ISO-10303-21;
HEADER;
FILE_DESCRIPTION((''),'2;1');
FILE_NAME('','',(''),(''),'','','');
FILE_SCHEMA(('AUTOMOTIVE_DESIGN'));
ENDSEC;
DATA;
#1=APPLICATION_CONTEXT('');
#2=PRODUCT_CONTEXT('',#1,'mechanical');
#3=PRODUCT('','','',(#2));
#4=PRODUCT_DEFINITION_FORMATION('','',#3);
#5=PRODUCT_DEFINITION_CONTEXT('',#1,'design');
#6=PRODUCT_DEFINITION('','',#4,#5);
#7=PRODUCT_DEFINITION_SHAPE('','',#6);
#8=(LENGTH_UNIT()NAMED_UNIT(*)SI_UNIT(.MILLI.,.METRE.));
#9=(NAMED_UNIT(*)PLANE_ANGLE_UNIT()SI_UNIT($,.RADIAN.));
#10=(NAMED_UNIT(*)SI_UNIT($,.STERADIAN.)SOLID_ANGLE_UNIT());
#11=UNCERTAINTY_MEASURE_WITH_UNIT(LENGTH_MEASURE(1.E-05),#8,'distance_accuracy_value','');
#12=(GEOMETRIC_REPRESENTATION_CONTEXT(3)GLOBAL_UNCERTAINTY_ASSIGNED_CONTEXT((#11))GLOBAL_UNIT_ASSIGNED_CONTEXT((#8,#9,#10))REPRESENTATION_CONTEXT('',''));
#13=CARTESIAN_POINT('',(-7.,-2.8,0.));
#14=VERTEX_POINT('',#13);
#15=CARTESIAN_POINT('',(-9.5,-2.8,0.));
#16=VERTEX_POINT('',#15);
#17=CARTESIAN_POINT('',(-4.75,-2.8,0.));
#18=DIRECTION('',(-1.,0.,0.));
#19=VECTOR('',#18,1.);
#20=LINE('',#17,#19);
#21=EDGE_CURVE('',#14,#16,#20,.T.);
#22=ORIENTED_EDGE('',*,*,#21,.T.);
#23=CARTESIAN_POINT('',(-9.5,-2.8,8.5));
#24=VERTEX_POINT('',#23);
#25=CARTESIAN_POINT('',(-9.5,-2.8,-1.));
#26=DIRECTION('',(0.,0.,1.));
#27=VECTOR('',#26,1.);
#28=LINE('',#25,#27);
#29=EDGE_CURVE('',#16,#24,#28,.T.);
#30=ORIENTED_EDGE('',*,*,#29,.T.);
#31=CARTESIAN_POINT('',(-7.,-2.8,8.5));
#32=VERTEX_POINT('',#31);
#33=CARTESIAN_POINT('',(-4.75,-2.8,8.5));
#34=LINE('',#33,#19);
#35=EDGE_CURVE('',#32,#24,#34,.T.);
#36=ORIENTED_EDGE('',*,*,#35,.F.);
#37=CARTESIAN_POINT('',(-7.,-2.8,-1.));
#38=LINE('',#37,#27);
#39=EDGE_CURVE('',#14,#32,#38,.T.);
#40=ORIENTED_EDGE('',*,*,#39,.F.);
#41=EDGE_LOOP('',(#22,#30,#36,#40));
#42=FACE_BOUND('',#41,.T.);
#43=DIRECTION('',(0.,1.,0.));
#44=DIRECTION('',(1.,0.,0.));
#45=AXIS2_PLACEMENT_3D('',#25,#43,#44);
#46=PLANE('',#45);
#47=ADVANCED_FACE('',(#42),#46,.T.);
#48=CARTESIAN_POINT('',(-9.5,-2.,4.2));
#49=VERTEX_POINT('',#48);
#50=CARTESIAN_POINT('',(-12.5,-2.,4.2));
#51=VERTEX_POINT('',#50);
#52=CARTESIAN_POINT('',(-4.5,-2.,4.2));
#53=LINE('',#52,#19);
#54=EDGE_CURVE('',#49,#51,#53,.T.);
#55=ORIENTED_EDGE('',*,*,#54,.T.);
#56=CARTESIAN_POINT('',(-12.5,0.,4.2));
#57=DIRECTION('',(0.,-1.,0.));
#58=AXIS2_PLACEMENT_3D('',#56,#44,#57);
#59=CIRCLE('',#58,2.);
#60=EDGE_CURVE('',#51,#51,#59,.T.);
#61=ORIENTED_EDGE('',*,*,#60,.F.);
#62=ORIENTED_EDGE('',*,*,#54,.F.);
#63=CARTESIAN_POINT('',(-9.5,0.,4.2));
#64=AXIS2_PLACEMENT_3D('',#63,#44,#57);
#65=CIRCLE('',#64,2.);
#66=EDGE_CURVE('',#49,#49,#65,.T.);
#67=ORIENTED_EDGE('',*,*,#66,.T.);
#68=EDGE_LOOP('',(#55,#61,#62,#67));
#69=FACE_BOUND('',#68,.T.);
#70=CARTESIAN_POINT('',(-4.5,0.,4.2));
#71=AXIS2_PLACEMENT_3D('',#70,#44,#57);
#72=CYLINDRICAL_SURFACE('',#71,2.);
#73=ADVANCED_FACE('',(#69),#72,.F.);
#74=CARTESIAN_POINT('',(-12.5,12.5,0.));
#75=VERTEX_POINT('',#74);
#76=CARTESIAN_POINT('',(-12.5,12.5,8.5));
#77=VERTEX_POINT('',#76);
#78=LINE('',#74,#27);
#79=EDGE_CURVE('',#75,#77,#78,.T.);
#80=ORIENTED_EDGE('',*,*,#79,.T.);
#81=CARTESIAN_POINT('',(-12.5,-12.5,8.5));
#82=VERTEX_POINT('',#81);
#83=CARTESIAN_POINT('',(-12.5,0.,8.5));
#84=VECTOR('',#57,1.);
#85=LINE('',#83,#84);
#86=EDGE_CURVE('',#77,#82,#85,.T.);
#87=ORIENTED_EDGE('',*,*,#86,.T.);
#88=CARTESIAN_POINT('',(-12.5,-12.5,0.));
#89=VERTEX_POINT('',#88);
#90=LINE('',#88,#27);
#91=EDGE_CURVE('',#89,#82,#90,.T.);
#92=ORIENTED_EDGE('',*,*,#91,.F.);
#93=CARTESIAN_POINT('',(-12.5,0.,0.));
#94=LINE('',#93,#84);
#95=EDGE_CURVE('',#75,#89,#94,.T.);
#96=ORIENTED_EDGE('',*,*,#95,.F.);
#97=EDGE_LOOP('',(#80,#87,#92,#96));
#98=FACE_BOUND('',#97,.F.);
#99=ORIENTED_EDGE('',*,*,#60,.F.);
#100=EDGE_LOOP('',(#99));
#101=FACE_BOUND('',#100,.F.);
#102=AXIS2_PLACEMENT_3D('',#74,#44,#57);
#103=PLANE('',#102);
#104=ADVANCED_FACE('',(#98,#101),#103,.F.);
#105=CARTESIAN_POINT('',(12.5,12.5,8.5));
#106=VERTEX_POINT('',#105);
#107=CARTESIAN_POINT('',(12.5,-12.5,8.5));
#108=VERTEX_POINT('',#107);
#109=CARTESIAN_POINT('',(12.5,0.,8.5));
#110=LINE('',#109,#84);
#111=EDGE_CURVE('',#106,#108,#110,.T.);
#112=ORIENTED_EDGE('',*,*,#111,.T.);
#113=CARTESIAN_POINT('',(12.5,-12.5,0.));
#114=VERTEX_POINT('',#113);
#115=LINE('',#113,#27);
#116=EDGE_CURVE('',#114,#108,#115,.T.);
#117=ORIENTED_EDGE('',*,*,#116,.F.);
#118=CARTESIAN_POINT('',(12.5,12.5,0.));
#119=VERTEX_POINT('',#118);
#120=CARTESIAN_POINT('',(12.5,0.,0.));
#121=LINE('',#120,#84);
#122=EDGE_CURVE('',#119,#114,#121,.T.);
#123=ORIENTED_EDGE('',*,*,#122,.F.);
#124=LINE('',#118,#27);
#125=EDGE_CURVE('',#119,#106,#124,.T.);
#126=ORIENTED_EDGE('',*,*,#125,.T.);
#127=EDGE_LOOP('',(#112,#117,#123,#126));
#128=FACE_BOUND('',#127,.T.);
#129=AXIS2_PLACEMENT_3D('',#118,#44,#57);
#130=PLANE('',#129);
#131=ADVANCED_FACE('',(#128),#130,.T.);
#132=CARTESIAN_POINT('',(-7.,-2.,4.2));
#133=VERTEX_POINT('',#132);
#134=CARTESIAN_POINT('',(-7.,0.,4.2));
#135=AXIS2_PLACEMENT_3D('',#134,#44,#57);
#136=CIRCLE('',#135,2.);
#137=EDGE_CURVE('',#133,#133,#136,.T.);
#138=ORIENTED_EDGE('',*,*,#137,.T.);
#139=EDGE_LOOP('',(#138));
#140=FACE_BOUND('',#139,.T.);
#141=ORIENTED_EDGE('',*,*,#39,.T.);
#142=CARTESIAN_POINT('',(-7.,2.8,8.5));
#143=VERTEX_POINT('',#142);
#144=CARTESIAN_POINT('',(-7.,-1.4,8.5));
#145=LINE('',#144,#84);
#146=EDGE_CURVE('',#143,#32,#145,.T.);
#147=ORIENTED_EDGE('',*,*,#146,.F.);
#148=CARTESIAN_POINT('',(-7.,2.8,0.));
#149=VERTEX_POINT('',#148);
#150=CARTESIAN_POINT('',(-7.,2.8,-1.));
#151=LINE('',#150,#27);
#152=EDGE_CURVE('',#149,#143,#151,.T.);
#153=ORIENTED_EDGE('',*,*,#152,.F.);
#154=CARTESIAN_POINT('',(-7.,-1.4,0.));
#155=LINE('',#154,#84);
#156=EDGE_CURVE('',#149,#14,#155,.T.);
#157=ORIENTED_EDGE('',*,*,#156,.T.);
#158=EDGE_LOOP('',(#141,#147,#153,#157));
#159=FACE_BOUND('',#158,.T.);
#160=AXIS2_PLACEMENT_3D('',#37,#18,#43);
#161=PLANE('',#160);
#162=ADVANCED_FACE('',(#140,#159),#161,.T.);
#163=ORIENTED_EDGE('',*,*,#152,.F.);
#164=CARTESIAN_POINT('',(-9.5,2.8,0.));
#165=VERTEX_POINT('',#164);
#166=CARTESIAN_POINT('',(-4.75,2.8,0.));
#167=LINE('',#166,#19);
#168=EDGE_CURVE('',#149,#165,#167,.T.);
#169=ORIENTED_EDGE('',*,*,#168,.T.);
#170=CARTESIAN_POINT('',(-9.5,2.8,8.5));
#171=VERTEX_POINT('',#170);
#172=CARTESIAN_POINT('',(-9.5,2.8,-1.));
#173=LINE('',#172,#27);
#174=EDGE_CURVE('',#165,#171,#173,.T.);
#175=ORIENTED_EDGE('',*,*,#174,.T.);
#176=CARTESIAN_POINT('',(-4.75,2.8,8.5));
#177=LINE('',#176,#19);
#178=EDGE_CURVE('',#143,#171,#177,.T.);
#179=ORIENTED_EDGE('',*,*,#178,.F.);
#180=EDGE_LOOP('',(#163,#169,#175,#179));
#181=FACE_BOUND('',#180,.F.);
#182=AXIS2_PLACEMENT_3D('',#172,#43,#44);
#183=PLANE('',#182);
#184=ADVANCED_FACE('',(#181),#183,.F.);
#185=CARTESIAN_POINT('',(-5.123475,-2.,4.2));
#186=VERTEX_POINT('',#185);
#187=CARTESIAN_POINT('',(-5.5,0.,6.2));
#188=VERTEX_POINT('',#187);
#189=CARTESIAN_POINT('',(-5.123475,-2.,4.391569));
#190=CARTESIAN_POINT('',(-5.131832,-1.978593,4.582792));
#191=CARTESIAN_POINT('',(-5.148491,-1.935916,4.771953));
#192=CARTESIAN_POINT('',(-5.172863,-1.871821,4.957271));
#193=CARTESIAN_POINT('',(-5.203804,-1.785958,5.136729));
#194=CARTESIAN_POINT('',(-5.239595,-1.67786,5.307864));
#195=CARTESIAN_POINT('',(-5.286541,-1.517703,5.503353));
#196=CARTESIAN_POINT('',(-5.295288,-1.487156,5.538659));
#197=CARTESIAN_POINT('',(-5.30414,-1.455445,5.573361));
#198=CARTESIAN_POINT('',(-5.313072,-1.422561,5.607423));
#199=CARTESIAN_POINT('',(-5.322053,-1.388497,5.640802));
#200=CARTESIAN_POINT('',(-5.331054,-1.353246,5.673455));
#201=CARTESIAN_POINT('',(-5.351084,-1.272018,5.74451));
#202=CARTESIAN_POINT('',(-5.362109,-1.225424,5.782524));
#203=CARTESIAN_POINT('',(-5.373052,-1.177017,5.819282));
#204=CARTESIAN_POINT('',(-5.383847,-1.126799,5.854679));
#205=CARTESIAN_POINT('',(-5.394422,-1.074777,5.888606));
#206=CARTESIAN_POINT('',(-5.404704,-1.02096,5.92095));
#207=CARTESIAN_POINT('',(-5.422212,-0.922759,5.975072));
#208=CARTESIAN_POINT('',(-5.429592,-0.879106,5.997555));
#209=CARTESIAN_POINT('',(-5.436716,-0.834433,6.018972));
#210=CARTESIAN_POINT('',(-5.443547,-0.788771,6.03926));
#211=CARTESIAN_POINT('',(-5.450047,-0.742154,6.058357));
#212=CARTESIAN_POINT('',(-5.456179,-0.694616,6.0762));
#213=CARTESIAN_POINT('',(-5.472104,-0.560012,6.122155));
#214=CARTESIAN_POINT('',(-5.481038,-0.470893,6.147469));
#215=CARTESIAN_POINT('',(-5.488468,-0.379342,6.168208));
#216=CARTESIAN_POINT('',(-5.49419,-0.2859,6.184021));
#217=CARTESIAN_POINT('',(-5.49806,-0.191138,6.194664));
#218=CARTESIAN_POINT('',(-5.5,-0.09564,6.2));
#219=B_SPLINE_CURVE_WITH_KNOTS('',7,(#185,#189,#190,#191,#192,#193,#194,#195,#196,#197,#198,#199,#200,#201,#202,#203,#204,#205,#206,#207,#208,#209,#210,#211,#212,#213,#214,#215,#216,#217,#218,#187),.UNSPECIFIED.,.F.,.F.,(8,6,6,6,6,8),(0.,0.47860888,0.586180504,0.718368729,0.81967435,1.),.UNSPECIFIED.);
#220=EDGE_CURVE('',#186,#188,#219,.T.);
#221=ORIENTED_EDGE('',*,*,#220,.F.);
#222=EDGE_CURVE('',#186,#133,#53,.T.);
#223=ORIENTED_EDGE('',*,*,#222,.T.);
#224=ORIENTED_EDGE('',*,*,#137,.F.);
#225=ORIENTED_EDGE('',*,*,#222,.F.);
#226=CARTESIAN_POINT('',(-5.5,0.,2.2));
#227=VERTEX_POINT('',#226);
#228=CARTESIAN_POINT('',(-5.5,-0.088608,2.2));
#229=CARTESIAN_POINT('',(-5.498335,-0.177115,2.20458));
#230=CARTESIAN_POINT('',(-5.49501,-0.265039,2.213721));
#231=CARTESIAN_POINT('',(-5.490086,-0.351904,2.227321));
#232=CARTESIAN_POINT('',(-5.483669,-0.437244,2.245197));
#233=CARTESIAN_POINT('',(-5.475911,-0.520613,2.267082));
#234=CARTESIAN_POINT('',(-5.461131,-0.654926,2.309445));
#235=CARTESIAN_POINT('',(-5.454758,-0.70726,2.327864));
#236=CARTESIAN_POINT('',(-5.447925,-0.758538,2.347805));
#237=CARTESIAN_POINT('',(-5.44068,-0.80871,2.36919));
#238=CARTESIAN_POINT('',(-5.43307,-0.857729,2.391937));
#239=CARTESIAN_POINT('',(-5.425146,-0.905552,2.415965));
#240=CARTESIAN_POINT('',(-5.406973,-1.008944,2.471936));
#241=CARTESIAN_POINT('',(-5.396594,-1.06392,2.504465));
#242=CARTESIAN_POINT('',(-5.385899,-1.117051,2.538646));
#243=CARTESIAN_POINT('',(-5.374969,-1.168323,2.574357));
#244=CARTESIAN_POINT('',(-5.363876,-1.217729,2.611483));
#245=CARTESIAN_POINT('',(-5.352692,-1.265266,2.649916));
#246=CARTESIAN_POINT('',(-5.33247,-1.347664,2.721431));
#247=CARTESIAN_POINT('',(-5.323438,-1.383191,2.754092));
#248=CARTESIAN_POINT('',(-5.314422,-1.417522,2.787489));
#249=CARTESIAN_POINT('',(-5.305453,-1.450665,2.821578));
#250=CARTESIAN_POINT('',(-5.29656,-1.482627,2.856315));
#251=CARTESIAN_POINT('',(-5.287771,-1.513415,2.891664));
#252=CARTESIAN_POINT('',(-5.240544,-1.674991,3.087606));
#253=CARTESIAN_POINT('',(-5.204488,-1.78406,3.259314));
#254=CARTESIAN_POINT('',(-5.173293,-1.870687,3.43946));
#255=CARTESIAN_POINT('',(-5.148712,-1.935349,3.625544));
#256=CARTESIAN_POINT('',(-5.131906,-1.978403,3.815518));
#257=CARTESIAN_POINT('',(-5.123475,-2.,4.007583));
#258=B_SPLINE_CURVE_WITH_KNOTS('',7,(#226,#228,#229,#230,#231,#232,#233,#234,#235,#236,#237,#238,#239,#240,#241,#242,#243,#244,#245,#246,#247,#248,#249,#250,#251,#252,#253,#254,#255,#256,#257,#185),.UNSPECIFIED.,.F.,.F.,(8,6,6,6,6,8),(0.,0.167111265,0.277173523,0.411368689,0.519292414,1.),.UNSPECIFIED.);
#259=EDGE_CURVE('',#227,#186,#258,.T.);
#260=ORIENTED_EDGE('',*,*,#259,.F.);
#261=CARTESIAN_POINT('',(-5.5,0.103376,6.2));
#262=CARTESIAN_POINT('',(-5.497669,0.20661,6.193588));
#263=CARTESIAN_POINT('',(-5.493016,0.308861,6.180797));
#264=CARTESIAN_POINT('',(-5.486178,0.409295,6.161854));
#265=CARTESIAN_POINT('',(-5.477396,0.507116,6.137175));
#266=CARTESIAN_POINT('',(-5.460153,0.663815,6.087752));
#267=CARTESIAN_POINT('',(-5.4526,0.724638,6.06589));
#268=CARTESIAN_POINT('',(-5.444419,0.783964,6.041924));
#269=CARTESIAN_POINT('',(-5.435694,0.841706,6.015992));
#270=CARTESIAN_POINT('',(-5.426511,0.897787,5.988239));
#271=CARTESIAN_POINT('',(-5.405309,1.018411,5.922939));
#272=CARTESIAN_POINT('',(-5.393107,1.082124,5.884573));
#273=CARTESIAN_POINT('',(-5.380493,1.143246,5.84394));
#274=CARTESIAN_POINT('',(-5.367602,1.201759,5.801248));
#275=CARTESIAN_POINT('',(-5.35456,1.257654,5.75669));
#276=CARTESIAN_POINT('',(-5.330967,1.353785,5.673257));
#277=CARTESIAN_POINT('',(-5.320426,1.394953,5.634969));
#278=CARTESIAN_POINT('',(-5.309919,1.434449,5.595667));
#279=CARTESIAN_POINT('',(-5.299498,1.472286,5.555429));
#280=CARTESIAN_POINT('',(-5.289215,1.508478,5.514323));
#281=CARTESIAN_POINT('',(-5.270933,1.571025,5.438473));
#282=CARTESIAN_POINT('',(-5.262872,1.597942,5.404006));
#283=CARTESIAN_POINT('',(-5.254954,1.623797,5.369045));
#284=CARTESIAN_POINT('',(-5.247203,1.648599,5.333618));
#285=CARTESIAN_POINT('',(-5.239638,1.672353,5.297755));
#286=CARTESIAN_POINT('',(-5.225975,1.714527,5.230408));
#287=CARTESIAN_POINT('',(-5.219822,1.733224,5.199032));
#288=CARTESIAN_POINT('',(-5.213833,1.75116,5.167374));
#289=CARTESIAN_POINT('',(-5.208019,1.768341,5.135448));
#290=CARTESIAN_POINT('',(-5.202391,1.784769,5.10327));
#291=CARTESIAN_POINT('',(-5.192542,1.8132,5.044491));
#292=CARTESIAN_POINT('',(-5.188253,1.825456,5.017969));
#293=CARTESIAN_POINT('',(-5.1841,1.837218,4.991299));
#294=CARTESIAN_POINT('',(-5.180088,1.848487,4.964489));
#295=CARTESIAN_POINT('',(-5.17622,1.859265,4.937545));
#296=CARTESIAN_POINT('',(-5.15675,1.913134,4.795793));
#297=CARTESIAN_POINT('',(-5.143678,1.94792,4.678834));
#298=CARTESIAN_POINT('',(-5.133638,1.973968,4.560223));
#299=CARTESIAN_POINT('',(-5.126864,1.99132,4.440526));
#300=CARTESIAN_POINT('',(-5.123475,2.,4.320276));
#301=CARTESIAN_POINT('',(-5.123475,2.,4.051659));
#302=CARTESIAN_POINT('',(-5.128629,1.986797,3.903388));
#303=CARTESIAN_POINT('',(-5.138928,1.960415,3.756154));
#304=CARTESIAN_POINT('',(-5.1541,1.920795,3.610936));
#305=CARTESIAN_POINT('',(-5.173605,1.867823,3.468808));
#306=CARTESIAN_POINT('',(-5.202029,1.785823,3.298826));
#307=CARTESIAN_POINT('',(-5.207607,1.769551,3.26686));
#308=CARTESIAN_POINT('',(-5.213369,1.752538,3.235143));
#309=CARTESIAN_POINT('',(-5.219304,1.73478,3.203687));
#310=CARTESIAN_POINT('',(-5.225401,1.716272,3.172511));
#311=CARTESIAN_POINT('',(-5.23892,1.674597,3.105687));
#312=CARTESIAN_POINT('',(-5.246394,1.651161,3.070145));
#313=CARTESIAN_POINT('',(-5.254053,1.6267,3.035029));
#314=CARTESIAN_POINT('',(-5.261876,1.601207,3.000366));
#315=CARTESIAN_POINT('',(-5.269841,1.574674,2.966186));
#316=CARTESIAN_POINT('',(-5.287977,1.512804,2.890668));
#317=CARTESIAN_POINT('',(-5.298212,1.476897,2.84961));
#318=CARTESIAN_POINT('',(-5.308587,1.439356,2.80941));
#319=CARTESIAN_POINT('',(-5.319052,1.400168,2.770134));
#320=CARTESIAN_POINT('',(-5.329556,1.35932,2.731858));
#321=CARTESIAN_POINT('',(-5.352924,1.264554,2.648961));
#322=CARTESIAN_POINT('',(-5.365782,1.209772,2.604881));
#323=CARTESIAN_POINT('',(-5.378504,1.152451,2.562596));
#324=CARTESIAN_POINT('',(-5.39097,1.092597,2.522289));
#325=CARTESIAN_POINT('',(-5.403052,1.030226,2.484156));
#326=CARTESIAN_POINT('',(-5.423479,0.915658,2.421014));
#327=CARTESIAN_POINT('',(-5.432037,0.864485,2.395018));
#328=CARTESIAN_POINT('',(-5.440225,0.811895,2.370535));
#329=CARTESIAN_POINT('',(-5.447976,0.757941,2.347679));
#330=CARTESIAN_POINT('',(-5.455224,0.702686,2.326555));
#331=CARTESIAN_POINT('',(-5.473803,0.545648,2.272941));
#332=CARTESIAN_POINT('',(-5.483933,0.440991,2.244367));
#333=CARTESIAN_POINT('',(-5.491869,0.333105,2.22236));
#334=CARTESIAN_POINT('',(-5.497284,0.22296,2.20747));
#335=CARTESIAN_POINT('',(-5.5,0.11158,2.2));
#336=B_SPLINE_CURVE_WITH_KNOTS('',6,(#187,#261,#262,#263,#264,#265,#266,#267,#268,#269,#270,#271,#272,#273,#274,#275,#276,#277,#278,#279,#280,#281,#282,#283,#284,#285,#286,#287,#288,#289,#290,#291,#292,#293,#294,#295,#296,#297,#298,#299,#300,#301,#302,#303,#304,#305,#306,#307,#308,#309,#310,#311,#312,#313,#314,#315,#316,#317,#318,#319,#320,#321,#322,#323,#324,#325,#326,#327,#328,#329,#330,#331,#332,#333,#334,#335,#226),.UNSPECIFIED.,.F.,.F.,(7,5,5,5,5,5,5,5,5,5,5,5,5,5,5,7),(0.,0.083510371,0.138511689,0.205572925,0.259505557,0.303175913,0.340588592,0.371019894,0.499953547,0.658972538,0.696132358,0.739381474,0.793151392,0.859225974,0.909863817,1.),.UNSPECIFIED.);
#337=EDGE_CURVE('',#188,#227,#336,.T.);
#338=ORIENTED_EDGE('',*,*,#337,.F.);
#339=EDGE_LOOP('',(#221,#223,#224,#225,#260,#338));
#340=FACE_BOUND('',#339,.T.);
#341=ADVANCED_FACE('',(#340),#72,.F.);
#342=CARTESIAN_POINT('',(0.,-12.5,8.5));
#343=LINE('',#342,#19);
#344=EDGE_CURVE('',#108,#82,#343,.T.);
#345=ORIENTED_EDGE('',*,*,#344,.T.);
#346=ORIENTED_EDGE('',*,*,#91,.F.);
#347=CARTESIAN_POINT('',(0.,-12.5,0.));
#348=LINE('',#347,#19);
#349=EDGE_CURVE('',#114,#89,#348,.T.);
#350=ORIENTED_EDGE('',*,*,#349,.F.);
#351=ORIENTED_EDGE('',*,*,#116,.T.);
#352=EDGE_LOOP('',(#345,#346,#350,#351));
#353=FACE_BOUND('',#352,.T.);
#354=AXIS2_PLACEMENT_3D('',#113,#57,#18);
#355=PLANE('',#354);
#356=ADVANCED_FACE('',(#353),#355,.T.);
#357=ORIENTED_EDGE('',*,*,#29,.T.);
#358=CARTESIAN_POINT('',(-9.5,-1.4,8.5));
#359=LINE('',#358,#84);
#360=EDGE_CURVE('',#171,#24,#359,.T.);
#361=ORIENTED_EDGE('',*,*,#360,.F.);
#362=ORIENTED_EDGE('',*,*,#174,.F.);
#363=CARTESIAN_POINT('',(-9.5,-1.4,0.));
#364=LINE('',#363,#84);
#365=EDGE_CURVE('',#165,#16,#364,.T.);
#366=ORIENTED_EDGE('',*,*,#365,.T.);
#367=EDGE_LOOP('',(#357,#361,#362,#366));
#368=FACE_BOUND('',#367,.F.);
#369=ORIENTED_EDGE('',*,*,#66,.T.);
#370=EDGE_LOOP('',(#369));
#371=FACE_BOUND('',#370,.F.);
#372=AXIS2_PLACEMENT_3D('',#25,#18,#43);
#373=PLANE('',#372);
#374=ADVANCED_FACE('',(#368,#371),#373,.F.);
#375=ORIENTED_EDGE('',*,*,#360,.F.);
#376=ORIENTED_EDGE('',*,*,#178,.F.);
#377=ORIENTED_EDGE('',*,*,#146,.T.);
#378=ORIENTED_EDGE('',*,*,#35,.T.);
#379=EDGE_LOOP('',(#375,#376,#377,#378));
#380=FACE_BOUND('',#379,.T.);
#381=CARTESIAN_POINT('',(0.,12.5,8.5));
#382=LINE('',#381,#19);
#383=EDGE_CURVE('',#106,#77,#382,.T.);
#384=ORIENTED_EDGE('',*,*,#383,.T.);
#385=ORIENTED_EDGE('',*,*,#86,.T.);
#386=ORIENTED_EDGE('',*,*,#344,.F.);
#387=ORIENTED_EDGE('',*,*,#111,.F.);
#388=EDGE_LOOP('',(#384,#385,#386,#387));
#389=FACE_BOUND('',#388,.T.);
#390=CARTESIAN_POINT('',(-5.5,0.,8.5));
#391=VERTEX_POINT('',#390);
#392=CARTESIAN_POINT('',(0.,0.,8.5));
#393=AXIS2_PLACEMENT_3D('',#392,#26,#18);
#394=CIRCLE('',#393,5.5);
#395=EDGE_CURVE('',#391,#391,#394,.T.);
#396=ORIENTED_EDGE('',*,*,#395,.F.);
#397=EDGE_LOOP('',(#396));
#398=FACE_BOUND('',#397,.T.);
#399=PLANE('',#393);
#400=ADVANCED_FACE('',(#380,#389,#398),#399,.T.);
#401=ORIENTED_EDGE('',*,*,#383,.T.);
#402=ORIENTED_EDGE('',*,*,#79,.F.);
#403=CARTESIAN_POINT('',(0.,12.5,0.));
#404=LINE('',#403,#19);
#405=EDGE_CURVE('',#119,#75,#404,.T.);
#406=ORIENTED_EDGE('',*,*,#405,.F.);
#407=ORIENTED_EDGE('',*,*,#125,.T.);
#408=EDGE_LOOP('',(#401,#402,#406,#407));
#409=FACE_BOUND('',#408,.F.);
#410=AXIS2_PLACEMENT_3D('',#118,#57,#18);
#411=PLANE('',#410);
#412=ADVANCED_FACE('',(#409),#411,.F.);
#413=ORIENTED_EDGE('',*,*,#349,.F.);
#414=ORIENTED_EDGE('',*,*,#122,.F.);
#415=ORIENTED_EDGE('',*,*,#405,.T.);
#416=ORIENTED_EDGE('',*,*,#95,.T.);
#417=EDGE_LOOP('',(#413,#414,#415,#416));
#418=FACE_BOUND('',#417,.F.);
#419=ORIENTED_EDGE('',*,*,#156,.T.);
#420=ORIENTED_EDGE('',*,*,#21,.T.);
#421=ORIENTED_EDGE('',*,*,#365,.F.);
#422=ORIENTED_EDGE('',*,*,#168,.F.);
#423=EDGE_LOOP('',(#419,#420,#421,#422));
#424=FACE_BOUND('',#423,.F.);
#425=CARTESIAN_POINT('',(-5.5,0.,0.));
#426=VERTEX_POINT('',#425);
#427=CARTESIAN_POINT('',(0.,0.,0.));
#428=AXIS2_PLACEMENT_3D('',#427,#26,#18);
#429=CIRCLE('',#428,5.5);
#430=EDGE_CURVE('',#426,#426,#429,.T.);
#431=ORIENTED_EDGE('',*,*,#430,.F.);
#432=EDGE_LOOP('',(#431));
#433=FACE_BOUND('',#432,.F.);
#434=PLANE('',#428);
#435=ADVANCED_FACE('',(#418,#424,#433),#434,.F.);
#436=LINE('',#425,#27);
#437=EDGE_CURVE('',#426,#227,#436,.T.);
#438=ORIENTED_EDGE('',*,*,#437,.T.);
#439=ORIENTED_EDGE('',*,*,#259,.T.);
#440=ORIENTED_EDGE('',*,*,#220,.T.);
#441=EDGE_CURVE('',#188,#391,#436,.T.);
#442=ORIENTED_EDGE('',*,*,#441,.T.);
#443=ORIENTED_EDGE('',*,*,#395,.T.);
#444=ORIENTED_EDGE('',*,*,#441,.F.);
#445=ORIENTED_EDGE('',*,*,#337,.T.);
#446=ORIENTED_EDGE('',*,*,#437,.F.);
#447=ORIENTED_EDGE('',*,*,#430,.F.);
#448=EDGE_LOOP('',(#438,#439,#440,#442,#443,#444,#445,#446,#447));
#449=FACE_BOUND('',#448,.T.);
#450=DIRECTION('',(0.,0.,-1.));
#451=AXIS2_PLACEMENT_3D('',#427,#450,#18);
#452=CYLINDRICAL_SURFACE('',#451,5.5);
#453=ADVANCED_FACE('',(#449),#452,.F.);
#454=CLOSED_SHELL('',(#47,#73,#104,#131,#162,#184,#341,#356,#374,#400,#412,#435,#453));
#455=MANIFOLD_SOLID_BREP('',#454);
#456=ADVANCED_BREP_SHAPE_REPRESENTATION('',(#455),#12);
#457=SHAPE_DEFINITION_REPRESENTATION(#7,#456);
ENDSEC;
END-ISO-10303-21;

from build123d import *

# Parameters (mm, degrees)
SKETCH002_W         = 2.5
SKETCH002_H         = 5.6
EXTRUDE002_DEPTH    = 10
SKETCH001_R         = 2
EXTRUDE001_DEPTH    = 10
SKETCH_W            = 25
SKETCH_H            = 25
SKETCH_R            = 5.5
EXTRUDE_DEPTH       = 8.5
CUT_PLACEMENT_ANGLE = 180


with BuildPart() as extrude002:
    # Sketch002 → Extrude002 (new body)
    with BuildSketch(Plane.XY):
        with Locations((-8.25, 0)):
            Rectangle(SKETCH002_W, SKETCH002_H)
    extrude(amount=EXTRUDE002_DEPTH)


with BuildPart() as extrude002_1:
    # Extrude002 placement: moved
    add(extrude002.part.moved(Location((0, 0, -1))))


with BuildPart() as extrude001:
    # Sketch001 → Extrude001 (new body)
    with BuildSketch(Plane.YZ.offset(12.5)):
        with Locations((0, 4.2)):
            Circle(SKETCH001_R)
    extrude(amount=EXTRUDE001_DEPTH)


with BuildPart() as extrude001_1:
    # Extrude001 placement: moved
    add(extrude001.part.moved(Location((-8, 0, 0))))


with BuildPart() as cut001:
    # Sketch → Extrude (new body)
    with BuildSketch(Plane.XY):
        Rectangle(SKETCH_W, SKETCH_H)
        Circle(SKETCH_R, mode=Mode.SUBTRACT)
    extrude(amount=EXTRUDE_DEPTH)

    # Cut: cut Extrude001
    add(extrude001_1.part, mode=Mode.SUBTRACT)


with BuildPart() as cut001_1:
    # Cut placement: moved
    add(cut001.part.rotate(Axis((0, 0, 0), (0, 0, 1)), CUT_PLACEMENT_ANGLE))

    # Cut001: cut Extrude002
    add(extrude002_1.part, mode=Mode.SUBTRACT)


solid = cut001_1.part
